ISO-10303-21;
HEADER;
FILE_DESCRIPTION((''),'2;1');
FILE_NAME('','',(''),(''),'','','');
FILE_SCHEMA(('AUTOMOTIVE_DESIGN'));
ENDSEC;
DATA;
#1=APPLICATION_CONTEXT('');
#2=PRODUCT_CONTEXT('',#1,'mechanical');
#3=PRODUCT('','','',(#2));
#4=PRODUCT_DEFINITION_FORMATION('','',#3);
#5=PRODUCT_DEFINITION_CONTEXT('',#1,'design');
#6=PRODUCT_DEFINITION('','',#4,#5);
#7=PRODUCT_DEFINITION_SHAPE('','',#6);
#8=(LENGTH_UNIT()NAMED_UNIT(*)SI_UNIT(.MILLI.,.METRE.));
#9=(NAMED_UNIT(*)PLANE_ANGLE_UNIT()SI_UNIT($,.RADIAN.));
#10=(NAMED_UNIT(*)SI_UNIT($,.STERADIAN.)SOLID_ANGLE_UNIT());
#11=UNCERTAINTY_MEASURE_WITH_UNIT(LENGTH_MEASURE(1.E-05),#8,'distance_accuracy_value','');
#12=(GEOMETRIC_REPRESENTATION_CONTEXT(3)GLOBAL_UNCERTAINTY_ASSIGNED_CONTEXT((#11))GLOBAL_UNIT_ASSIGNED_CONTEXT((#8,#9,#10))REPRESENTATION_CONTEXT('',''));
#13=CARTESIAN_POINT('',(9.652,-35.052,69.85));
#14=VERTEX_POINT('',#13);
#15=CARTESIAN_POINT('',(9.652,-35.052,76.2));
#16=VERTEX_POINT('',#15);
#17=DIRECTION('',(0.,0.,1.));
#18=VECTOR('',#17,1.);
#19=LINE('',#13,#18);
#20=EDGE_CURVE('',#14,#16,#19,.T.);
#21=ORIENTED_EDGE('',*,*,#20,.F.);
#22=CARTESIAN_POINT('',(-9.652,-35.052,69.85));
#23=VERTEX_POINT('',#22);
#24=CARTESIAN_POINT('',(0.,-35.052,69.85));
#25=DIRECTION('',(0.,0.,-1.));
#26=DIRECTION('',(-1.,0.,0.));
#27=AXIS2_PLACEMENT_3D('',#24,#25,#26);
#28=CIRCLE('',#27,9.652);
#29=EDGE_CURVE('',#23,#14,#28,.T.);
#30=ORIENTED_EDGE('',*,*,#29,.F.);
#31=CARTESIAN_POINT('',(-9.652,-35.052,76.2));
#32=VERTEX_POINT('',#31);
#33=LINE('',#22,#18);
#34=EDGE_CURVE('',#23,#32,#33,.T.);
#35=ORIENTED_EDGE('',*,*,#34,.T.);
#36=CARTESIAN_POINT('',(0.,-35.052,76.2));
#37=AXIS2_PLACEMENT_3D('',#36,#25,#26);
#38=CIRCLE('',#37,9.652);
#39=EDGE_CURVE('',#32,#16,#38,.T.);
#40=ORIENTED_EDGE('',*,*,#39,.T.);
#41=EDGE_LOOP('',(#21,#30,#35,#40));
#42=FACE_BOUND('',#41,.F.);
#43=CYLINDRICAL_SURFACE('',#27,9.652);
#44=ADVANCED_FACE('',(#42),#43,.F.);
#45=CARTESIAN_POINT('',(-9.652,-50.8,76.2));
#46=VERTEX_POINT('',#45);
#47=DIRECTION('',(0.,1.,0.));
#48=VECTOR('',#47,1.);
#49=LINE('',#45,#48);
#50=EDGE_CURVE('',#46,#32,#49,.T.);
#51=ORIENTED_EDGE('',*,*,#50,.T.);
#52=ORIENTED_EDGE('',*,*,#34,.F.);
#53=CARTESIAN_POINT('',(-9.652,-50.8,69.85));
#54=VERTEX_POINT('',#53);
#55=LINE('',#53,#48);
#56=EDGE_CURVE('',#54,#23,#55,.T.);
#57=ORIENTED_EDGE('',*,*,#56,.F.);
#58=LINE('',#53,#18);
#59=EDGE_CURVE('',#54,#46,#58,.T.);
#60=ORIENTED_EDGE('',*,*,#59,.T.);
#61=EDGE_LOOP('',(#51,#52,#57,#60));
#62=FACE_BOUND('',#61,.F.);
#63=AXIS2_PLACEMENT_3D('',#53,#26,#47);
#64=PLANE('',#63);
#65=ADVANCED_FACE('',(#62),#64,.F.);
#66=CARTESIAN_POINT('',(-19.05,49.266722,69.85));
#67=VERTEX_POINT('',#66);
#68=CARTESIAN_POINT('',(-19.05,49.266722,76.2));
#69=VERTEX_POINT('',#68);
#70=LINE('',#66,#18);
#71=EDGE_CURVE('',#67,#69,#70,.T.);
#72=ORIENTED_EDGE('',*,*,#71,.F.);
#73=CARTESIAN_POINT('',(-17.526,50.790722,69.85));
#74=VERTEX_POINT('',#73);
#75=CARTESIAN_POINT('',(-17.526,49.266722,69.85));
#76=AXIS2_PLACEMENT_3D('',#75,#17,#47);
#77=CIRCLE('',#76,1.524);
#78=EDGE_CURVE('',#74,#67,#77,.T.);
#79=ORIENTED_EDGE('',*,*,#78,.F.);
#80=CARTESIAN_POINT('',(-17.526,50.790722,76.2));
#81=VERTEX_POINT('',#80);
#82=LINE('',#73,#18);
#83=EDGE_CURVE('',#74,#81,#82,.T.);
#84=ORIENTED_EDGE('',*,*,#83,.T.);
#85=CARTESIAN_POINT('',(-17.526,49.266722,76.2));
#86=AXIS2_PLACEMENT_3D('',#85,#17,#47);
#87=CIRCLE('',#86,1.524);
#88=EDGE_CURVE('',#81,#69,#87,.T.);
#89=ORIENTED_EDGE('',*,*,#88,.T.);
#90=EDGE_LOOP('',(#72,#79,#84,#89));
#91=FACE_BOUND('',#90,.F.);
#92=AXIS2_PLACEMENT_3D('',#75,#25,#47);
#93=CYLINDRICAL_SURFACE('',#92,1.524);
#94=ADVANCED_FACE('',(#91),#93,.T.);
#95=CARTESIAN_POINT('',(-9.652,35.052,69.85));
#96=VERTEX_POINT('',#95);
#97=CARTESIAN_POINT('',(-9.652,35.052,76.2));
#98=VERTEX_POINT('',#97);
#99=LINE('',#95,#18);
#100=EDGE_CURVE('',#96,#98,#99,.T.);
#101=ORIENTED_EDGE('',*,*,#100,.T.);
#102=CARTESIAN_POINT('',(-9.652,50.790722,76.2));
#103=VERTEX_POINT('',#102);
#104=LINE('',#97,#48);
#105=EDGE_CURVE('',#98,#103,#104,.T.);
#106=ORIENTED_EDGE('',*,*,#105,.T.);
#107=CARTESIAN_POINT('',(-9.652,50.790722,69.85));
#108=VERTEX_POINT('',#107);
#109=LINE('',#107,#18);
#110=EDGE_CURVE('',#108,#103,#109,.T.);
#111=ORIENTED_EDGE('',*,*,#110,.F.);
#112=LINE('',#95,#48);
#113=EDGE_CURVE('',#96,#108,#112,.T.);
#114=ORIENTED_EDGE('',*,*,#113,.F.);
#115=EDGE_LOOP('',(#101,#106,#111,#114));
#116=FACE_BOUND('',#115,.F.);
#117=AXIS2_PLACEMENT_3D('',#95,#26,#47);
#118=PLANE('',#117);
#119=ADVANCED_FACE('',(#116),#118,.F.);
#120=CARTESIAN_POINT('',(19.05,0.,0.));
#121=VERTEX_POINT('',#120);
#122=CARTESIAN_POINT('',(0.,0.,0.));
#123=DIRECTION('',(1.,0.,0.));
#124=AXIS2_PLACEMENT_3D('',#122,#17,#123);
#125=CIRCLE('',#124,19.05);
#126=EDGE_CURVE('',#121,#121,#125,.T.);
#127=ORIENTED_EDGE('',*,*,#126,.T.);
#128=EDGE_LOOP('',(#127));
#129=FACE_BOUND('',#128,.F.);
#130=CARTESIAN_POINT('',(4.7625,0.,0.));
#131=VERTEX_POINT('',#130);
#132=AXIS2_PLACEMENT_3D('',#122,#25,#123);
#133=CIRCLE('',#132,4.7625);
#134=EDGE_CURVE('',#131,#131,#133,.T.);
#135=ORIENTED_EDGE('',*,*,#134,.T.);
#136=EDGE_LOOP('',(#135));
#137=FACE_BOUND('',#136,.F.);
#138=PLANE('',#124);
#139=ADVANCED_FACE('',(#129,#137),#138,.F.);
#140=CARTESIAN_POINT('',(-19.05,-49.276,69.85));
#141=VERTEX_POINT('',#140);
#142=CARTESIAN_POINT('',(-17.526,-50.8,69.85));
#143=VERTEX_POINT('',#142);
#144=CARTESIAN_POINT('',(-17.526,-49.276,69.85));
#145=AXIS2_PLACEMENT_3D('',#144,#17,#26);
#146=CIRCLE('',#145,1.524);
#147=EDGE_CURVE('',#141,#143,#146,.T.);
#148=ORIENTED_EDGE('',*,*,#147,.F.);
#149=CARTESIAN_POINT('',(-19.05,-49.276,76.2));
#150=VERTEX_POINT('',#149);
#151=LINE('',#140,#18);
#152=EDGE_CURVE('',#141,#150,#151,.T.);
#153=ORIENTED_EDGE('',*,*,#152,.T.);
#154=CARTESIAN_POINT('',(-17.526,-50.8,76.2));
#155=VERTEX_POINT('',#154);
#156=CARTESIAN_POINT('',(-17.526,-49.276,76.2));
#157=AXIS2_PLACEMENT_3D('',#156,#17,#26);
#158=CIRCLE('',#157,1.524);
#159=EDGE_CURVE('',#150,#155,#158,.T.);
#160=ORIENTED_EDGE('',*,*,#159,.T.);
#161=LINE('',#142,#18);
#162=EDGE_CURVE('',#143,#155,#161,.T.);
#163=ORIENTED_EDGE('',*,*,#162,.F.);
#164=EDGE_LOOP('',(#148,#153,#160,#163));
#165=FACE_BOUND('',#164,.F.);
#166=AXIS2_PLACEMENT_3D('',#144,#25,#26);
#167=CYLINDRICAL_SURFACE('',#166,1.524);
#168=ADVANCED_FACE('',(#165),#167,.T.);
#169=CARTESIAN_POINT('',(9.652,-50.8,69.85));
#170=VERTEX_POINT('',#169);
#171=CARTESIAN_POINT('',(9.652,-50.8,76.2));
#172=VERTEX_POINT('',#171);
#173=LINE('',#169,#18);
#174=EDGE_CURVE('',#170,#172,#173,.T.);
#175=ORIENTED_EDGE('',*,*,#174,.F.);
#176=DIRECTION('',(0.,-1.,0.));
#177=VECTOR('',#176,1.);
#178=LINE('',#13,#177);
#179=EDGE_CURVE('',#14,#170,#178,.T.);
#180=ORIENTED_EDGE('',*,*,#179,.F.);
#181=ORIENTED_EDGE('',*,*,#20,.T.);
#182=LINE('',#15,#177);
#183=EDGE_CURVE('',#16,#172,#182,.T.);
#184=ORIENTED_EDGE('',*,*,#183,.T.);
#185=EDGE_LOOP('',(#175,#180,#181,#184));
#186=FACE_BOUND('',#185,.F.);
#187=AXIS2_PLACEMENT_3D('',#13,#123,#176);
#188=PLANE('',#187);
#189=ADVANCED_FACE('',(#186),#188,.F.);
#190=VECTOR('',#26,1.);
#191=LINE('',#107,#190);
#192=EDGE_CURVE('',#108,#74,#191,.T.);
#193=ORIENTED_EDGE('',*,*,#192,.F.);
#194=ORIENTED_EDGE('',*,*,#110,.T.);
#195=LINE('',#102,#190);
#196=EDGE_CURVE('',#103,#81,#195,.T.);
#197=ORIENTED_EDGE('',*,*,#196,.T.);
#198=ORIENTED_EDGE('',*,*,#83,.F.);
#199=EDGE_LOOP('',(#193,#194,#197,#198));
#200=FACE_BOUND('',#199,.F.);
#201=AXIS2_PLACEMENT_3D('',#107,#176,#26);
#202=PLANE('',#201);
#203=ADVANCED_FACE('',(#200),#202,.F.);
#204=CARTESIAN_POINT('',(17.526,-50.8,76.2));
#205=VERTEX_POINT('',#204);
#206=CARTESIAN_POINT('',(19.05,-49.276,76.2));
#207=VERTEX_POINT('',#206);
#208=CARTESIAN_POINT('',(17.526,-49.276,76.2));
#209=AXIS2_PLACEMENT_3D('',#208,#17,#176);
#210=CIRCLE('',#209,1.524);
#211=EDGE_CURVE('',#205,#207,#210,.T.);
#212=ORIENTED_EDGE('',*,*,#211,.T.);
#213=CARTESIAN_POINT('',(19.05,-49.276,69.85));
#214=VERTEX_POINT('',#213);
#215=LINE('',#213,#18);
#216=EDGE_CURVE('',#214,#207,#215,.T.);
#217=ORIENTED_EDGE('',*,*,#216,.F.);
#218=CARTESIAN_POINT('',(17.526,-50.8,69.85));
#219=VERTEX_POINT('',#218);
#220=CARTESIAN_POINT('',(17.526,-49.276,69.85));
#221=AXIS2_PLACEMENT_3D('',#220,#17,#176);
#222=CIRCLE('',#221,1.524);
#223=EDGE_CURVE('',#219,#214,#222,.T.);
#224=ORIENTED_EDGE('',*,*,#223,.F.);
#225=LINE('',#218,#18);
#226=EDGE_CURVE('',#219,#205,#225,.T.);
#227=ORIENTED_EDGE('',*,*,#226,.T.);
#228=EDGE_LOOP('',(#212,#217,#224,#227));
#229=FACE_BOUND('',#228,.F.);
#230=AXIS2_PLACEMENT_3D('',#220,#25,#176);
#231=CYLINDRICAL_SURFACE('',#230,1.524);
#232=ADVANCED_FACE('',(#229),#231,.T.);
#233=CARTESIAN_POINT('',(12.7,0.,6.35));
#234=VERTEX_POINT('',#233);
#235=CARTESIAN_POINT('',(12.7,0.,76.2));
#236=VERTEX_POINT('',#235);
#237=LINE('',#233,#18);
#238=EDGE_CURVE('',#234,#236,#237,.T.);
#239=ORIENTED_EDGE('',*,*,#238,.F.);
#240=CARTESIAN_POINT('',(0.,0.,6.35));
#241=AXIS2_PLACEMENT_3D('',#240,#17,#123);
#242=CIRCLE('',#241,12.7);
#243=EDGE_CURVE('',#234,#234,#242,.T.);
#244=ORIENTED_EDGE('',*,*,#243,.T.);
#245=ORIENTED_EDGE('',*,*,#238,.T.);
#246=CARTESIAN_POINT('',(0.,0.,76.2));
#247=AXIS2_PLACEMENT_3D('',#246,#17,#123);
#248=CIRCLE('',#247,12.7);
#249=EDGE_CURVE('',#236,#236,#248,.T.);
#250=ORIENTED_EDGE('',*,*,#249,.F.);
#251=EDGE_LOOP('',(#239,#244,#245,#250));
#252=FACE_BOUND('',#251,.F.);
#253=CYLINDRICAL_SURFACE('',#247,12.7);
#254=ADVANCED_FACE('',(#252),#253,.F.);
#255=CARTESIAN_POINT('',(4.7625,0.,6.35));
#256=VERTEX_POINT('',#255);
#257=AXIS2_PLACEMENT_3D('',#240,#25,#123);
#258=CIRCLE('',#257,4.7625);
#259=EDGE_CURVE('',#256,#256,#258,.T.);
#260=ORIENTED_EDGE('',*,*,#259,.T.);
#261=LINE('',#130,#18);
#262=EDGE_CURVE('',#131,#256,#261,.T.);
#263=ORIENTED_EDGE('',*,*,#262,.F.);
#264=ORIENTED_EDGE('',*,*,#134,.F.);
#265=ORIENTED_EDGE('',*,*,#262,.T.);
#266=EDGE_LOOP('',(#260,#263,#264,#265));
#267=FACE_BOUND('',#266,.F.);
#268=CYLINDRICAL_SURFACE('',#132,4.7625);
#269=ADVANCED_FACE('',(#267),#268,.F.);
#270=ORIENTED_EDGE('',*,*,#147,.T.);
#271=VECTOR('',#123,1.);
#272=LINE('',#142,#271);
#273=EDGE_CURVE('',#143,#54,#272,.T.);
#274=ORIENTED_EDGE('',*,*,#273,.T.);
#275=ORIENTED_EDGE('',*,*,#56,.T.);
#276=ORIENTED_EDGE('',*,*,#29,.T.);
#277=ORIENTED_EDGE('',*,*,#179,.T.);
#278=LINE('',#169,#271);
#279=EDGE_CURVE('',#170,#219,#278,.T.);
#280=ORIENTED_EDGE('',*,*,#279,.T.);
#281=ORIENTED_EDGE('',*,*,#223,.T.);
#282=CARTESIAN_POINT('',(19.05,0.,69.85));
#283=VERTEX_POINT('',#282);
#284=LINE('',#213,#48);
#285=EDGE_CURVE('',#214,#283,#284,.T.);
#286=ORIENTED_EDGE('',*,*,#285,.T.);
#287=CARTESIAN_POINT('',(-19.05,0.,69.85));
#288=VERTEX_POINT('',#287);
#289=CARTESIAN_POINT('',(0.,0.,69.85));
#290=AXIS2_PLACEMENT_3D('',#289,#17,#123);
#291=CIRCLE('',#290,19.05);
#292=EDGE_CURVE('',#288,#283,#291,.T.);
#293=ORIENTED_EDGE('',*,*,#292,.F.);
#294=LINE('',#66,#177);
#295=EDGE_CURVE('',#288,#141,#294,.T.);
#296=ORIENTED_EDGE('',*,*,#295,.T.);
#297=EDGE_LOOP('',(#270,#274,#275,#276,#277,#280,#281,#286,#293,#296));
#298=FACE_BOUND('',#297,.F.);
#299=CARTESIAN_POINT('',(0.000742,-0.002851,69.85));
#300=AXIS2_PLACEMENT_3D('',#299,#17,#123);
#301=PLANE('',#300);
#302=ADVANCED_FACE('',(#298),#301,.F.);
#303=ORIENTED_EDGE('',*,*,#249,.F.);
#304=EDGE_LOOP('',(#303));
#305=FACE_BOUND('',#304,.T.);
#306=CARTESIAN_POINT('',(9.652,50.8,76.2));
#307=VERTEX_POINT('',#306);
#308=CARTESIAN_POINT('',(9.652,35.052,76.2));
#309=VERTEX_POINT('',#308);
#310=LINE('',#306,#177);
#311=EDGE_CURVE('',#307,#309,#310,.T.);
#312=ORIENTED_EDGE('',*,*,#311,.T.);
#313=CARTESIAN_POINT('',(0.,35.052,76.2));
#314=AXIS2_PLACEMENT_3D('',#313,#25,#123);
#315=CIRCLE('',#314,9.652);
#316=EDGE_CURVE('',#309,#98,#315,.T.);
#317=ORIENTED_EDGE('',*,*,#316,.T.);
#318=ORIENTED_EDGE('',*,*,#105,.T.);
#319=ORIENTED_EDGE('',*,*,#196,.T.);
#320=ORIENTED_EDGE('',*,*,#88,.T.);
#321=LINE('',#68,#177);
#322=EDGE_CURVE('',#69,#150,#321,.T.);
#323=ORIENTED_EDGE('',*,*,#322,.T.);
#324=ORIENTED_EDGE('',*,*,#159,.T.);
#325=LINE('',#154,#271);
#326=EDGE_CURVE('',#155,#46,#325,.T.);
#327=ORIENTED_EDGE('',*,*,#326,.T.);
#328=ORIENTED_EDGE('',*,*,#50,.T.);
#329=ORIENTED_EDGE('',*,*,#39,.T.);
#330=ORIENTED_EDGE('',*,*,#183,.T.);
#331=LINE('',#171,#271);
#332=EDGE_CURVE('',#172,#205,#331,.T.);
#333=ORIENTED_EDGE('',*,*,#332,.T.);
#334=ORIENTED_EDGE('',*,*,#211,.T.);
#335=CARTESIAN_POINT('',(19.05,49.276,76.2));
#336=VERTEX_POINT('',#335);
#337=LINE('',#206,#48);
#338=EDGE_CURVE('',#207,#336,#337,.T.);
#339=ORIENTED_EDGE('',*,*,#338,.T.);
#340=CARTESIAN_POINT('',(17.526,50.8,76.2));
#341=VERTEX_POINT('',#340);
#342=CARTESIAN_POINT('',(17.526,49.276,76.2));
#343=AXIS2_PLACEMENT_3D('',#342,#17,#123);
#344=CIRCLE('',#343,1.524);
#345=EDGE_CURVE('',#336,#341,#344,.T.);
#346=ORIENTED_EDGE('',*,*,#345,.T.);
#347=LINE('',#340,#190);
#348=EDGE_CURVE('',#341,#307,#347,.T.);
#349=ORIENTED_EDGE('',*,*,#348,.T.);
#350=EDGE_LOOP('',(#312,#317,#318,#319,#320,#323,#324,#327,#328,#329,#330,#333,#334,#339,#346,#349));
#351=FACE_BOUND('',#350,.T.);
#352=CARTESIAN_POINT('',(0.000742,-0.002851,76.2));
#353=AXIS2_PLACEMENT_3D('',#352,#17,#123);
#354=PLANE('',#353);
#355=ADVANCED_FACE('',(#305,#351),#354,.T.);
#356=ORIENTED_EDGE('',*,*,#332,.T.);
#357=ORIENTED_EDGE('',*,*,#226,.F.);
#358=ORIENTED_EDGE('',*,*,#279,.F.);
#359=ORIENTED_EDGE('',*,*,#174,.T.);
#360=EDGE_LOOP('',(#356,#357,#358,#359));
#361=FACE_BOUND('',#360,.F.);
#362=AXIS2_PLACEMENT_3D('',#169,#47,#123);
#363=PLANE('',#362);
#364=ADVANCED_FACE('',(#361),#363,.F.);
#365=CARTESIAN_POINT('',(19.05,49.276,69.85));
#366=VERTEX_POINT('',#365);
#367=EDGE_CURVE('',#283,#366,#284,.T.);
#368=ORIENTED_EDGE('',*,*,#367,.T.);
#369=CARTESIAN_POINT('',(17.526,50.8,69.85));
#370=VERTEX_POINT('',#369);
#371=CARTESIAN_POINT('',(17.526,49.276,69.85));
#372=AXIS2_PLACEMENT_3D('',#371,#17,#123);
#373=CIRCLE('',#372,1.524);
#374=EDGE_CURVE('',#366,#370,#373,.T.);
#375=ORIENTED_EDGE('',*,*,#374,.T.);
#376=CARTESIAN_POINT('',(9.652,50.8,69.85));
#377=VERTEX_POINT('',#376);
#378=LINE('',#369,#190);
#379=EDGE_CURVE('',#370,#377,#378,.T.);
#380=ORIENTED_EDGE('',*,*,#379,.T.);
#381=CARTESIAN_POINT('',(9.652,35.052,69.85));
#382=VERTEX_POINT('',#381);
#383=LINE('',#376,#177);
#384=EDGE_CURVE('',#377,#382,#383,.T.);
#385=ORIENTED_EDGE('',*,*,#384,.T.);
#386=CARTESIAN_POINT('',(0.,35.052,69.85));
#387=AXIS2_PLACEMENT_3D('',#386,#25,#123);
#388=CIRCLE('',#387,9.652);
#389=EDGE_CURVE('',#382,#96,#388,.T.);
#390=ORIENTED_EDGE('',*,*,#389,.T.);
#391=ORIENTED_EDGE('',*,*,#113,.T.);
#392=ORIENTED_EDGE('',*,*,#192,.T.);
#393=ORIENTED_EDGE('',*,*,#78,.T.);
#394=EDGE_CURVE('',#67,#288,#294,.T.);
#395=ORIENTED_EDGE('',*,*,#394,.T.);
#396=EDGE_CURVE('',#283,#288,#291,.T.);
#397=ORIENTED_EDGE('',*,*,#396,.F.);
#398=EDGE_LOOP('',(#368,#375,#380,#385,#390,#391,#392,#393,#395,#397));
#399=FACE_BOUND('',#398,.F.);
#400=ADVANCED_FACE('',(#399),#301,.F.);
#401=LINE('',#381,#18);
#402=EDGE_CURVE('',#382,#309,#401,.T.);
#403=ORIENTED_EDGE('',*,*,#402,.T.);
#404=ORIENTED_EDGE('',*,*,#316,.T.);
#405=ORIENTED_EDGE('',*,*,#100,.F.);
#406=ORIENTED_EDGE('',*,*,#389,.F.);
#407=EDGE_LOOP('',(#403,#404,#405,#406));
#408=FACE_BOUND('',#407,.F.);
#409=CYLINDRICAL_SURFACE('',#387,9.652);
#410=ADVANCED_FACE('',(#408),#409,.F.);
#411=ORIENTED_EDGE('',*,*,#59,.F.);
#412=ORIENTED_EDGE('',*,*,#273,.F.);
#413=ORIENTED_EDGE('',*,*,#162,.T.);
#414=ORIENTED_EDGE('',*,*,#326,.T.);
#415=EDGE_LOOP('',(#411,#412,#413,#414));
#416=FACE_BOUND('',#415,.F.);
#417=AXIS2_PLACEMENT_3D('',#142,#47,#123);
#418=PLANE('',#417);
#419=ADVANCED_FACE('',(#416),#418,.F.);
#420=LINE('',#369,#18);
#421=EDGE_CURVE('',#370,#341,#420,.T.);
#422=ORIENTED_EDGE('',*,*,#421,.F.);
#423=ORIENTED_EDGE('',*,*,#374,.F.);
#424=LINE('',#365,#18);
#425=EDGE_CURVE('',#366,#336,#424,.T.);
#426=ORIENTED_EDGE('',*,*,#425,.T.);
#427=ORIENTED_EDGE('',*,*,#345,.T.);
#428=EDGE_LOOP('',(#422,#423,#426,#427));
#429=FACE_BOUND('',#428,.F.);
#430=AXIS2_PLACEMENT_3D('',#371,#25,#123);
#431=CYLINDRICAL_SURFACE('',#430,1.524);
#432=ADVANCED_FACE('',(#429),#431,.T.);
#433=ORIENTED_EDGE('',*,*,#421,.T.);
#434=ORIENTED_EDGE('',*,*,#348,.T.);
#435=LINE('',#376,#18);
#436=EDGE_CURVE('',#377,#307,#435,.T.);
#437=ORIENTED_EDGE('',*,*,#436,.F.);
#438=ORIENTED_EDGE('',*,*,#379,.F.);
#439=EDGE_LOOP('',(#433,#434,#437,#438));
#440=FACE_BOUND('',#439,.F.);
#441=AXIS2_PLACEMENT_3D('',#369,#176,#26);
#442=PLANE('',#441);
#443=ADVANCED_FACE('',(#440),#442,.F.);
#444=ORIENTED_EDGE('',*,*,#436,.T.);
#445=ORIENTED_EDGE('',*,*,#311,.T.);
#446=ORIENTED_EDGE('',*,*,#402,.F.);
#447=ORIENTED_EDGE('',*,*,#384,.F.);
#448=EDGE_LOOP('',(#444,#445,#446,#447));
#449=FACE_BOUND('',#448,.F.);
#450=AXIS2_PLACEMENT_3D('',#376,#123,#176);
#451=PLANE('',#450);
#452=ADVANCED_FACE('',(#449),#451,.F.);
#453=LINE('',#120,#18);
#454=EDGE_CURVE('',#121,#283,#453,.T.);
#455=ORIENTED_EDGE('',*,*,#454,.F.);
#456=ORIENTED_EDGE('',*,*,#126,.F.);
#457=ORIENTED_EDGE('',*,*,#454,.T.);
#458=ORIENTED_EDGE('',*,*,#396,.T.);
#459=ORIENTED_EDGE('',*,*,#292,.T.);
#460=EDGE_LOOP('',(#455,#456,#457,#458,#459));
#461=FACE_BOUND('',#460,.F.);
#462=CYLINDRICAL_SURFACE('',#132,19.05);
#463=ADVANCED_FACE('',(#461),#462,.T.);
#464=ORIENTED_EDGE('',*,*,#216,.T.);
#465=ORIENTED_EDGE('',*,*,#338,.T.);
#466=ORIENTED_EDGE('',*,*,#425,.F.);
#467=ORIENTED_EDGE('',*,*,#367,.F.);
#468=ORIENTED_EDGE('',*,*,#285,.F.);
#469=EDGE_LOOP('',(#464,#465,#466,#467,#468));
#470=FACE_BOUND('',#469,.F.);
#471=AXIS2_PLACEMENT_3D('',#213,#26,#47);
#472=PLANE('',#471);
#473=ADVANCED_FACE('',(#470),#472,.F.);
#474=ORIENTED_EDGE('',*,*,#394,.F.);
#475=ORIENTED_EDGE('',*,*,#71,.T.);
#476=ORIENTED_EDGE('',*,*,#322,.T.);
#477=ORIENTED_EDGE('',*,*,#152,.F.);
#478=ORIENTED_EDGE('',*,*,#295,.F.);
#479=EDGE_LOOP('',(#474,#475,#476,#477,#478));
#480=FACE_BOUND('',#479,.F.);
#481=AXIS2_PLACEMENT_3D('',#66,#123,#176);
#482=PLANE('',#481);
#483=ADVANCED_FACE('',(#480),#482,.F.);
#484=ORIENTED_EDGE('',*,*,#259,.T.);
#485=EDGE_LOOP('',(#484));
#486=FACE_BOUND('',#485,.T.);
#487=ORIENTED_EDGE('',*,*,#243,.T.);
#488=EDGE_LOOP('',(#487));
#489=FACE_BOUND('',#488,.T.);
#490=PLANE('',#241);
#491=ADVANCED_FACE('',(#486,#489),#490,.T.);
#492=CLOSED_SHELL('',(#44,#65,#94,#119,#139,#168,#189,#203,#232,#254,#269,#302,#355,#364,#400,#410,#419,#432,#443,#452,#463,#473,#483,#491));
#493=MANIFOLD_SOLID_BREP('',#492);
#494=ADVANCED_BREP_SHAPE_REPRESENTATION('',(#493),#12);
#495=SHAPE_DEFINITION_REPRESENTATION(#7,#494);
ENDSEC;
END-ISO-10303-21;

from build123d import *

# Parameters (mm, degrees)
F0_R     = 19.05
F1_DEPTH = 69.85
F2_R     = 12.7
F3_DEPTH = 63.5
F4_R     = 4.7625
F5_DEPTH = 69.851
F7_DEPTH = 6.35
F8_R     = 12.7
F9_DEPTH = 6.35


with BuildPart() as f1:
    # F0 (on Top) → F1 (new body)
    with BuildSketch(Plane.XY):
        Circle(F0_R)
    extrude(amount=F1_DEPTH)

    # F2 (on face) → F3 (cut)
    with BuildSketch(Plane.XY.offset(69.85)):
        Circle(F2_R)
    extrude(amount=-F3_DEPTH, mode=Mode.SUBTRACT)

    # F4 (on face) → F5 (cut, through all)
    with BuildSketch(Plane(origin=(0, 0, 0), x_dir=(1, 0, 0), z_dir=(0, 0, -1))):
        Circle(F4_R)
    extrude(amount=-F5_DEPTH, mode=Mode.SUBTRACT)

    # F6 (on face) → F7 (join)
    with BuildSketch(Plane.XY.offset(69.85)):
        with BuildLine():
            ThreePointArc((-17.526, 50.7907223972), (-18.6036307345, 50.3443531317), (-19.05, 49.2667223972))
            Line((-19.05, 49.2667223972), (-19.05, -49.276))
            ThreePointArc((-19.05, -49.276), (-18.6036307345, -50.3536307345), (-17.526, -50.8))
            Line((-17.526, -50.8), (-9.652, -50.8))
            Line((-9.652, -50.8), (-9.652, -35.052))
            ThreePointArc((-9.652, -35.052), (0, -25.4), (9.652, -35.052))
            Line((9.652, -35.052), (9.652, -50.8))
            Line((9.652, -50.8), (17.526, -50.8))
            ThreePointArc((17.526, -50.8), (18.6036307345, -50.3536307345), (19.05, -49.276))
            Line((19.05, -49.276), (19.05, 49.276))
            ThreePointArc((19.05, 49.276), (18.6036307345, 50.3536307345), (17.526, 50.8))
            Line((17.526, 50.8), (9.652, 50.8))
            Line((9.652, 50.8), (9.652, 35.052))
            ThreePointArc((9.652, 35.052), (0, 25.4), (-9.652, 35.052))
            Line((-9.652, 35.052), (-9.652, 50.7907223972))
            Line((-9.652, 50.7907223972), (-17.526, 50.7907223972))
        make_face()
    extrude(amount=F7_DEPTH)

    # F8 (on face) → F9 (cut)
    with BuildSketch(Plane.XY.offset(76.2)):
        Circle(F8_R)
    extrude(amount=-F9_DEPTH, mode=Mode.SUBTRACT)


solid = f1.part
